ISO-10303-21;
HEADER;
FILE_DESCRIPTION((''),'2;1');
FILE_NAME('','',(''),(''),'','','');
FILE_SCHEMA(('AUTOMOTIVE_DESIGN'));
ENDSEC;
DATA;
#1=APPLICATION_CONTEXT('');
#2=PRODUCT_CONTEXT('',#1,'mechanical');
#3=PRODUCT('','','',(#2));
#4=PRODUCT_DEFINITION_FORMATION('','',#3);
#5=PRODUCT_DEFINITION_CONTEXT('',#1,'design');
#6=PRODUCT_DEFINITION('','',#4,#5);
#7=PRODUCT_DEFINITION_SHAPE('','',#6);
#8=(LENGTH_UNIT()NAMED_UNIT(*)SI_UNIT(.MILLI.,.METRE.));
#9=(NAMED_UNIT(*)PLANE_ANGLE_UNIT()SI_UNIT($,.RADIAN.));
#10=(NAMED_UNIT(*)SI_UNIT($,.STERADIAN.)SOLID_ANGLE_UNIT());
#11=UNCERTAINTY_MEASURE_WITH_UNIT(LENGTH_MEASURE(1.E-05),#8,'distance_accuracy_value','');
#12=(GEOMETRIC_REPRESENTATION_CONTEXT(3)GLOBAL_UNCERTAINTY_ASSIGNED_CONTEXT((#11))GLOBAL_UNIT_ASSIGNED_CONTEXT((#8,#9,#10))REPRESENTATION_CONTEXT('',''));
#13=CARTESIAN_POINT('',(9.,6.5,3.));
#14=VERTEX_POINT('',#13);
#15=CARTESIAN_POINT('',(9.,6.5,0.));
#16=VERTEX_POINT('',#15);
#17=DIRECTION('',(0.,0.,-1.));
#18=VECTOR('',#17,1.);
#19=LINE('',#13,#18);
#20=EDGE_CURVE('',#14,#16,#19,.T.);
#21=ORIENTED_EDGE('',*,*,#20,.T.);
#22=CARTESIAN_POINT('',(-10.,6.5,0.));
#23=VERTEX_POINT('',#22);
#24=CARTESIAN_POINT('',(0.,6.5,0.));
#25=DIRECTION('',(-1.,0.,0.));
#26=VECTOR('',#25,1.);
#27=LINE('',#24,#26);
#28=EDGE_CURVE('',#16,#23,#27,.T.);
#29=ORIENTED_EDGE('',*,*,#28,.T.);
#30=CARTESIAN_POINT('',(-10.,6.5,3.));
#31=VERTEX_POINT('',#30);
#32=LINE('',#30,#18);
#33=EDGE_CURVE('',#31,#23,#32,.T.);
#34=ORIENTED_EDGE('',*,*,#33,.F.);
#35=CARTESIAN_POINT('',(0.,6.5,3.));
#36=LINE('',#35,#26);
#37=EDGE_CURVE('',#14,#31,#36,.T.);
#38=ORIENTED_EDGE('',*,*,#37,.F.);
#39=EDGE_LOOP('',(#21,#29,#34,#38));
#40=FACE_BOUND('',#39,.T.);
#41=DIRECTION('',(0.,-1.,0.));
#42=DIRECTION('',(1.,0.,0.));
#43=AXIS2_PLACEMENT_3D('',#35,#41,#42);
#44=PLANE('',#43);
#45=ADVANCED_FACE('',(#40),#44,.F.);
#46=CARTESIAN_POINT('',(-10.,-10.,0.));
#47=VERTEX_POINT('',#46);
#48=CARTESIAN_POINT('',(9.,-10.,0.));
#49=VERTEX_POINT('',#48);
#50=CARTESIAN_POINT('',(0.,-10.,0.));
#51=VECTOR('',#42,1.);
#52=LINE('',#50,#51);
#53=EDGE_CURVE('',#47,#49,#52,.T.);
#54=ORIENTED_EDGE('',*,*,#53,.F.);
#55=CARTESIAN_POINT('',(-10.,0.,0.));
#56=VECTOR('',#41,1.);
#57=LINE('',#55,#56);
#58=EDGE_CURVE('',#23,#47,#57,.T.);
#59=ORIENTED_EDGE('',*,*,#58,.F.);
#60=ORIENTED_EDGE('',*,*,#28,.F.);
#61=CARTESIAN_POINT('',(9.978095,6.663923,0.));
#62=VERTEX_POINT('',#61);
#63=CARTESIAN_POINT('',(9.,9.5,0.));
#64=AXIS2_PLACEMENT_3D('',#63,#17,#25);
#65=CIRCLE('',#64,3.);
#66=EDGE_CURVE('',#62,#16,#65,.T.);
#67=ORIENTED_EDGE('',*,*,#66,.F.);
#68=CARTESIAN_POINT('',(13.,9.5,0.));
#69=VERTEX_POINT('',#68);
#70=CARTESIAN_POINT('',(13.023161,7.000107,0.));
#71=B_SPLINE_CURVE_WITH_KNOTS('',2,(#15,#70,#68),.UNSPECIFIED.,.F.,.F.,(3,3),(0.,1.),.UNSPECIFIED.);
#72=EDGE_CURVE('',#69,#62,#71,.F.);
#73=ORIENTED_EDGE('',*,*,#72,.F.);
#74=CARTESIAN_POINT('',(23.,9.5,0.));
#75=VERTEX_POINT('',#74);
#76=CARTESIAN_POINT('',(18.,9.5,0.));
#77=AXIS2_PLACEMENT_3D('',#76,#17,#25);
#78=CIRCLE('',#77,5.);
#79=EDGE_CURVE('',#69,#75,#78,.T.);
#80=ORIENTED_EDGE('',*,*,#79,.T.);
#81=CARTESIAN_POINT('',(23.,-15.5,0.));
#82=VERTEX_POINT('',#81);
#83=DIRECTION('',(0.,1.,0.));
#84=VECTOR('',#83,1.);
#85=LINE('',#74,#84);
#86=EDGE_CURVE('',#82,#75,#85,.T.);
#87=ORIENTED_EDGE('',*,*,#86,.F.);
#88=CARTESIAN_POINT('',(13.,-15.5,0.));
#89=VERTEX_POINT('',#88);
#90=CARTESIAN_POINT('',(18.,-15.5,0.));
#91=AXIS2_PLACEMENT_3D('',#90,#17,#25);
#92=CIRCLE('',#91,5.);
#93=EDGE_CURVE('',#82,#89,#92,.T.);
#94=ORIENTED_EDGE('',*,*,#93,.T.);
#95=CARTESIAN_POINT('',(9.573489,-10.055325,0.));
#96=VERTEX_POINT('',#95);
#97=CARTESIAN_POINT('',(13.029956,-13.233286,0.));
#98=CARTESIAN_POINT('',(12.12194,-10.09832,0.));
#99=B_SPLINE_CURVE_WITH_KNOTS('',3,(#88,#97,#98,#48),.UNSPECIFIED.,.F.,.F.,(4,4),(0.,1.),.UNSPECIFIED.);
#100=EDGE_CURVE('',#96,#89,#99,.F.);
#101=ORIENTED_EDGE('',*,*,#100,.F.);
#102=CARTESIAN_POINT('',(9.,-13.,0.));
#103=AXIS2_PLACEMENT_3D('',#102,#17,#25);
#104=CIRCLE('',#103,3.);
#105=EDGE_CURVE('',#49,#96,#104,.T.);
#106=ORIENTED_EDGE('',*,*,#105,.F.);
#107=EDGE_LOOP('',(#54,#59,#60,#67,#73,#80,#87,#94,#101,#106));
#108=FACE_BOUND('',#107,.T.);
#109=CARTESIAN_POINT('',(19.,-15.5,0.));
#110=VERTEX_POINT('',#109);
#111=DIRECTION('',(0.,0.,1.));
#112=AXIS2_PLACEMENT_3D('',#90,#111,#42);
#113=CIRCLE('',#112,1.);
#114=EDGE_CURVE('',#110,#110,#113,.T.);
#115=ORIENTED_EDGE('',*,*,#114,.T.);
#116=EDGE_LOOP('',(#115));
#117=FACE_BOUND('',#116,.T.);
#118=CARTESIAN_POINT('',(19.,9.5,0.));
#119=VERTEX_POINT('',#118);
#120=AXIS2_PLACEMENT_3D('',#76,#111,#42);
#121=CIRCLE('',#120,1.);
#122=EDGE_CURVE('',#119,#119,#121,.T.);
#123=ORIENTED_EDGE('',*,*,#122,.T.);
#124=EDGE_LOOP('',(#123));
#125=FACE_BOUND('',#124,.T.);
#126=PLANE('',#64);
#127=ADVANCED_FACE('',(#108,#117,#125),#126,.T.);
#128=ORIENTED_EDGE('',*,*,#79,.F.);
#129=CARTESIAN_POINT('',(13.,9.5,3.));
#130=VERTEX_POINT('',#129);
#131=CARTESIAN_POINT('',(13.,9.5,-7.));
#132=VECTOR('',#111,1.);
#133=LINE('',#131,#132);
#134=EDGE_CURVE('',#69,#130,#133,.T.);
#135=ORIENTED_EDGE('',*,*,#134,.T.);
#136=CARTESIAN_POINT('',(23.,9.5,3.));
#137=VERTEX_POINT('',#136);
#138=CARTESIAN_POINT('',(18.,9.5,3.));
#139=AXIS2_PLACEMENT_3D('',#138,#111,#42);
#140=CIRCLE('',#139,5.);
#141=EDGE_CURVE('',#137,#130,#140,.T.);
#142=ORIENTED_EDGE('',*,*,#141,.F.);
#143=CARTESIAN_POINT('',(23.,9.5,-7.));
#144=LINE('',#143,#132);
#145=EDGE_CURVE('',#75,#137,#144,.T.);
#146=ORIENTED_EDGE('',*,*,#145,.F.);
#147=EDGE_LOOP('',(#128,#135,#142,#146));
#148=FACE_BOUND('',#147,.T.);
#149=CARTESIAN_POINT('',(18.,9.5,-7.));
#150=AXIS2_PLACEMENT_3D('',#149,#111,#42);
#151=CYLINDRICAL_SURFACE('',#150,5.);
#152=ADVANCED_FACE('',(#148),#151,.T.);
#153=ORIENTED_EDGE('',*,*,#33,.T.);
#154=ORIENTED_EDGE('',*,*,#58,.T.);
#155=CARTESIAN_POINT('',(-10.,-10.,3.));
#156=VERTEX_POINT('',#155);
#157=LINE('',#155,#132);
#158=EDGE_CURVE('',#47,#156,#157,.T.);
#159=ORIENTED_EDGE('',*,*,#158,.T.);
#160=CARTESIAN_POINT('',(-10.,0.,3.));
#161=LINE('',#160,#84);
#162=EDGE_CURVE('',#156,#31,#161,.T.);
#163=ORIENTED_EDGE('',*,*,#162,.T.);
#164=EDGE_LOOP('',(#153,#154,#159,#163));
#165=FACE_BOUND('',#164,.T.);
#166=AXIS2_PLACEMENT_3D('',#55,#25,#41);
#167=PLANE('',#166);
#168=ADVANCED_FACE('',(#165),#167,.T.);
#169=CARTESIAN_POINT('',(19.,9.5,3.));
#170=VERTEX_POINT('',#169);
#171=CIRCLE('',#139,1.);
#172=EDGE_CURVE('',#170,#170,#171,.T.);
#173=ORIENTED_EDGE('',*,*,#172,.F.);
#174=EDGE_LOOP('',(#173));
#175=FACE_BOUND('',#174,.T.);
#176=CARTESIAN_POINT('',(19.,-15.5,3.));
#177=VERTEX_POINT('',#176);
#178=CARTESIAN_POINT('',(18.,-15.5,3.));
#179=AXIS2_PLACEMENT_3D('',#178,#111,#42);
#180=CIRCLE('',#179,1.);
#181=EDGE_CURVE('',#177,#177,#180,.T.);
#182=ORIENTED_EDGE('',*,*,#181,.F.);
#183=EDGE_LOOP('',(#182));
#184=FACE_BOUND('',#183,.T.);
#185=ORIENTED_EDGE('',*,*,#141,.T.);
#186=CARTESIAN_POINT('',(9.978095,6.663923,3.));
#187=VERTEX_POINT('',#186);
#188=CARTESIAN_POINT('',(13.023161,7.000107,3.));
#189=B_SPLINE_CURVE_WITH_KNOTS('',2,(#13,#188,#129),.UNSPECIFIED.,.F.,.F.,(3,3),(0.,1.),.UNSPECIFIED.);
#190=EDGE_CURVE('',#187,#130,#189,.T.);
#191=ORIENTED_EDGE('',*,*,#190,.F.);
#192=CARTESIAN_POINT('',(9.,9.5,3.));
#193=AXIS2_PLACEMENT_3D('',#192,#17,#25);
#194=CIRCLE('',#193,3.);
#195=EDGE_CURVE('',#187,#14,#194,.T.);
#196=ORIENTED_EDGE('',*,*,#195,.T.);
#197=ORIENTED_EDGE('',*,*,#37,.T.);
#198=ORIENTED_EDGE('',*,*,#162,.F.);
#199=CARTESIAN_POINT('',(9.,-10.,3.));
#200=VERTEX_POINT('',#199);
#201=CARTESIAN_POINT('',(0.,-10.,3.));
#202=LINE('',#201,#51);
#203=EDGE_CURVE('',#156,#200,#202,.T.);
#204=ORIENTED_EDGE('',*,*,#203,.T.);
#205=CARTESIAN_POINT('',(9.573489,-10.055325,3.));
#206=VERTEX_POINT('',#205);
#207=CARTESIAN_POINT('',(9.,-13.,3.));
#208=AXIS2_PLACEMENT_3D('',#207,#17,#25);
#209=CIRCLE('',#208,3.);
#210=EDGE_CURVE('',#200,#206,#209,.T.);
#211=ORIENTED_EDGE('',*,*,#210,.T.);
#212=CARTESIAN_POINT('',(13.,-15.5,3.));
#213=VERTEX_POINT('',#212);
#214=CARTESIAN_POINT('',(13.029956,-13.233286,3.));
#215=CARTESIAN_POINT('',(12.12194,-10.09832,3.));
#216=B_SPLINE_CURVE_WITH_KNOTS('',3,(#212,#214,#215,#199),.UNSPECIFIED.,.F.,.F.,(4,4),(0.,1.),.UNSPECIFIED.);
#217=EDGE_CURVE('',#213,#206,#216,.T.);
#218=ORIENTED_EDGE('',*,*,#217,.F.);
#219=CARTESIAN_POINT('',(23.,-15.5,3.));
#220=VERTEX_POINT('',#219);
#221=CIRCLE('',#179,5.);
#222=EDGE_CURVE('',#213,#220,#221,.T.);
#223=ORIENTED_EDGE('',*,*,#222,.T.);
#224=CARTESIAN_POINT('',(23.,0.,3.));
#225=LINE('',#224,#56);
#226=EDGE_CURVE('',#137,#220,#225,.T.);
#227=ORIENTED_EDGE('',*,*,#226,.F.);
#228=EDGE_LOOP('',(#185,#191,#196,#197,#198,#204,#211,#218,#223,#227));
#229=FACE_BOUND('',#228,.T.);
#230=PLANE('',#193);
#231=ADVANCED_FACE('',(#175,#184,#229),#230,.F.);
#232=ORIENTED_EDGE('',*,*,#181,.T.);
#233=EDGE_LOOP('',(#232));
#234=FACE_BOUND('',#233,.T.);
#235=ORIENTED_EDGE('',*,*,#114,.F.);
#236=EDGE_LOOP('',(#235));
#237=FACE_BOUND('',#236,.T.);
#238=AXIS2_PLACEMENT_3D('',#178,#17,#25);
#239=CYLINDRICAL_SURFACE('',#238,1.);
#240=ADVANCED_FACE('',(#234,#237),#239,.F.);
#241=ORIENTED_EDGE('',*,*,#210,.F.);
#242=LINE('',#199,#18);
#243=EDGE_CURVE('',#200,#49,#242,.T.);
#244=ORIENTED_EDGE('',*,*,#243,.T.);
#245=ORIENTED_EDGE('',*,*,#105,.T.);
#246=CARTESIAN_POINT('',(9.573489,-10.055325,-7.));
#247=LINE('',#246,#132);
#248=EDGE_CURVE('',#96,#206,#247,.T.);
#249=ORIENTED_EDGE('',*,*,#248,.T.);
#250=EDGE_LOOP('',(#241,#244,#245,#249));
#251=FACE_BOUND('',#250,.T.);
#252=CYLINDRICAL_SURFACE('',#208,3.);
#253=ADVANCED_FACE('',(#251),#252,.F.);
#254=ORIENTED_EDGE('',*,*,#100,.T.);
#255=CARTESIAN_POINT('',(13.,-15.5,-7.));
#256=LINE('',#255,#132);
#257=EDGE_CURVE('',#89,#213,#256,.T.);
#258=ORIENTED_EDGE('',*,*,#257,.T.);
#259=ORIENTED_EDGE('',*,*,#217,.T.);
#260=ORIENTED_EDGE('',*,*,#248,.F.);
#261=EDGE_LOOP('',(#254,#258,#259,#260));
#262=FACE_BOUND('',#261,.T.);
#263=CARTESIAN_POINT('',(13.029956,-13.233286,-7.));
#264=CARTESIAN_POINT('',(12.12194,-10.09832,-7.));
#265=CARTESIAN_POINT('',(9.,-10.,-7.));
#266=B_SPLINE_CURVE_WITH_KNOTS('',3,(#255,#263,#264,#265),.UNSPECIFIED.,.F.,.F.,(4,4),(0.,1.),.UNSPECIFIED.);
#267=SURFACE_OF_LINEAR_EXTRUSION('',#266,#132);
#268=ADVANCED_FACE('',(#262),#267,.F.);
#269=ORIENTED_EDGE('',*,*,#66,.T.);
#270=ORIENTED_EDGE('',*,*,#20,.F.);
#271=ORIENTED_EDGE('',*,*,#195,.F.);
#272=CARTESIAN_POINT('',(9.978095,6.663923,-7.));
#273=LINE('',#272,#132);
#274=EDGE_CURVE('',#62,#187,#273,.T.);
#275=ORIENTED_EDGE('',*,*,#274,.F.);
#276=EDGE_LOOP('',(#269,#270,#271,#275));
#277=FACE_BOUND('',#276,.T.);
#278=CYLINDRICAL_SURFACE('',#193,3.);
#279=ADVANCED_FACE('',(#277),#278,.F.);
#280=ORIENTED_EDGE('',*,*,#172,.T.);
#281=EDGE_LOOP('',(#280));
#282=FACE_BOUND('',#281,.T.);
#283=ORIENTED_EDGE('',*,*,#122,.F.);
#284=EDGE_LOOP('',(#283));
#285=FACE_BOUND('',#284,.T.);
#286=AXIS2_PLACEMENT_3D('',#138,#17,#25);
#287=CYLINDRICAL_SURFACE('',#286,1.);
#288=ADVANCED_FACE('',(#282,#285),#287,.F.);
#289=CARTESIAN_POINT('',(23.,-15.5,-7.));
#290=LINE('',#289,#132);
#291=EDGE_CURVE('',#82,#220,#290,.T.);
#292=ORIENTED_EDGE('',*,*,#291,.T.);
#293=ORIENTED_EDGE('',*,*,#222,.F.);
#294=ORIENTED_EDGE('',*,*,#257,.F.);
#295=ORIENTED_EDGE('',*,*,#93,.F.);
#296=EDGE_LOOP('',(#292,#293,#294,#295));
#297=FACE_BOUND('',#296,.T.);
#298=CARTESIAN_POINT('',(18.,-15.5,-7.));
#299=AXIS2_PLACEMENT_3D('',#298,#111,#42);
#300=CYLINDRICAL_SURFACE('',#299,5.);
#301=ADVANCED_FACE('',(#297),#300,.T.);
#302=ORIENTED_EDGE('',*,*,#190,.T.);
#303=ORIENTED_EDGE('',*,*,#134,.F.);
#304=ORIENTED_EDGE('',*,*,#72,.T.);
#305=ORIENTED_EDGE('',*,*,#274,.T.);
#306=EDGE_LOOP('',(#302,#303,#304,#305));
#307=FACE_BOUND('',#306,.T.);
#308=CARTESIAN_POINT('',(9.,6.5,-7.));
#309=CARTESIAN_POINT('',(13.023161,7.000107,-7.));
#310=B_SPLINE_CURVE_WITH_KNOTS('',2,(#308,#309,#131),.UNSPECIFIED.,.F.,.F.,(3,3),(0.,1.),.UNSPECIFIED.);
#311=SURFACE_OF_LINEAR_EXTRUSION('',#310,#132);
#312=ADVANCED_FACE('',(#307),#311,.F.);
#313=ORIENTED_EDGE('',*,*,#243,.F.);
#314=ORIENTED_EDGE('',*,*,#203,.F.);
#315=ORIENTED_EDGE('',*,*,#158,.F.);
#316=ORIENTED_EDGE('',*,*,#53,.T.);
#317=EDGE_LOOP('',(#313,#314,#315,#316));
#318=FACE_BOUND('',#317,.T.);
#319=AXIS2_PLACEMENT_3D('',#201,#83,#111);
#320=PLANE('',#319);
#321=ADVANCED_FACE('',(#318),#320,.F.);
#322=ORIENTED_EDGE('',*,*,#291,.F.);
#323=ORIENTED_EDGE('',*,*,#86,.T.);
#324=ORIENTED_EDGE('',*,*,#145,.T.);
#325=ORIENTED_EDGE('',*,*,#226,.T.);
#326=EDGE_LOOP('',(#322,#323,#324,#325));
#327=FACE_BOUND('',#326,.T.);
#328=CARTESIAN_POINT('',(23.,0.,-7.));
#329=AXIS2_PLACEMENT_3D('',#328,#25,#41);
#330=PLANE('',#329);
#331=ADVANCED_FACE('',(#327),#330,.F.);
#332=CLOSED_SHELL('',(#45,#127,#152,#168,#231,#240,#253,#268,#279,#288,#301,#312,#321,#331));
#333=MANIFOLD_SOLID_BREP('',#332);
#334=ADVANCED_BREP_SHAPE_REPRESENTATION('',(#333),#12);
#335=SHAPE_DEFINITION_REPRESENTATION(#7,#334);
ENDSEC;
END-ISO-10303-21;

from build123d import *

# Parameters (mm, degrees)
SKETCH1_R           = 1
BOSS_EXTRUDE1_DEPTH = 3
SKETCH5_OUTSIDE_W   = 34.508
SKETCH5_OUTSIDE_H   = 45.508
SKETCH5_OUTSIDE_R   = 1
CUT_EXTRUDE2_DEPTH  = 10
SKETCH7_W           = 3
SKETCH7_H           = 10
SKETCH7_H_2         = 4
BOSS_EXTRUDE2_DEPTH = 10
BOSS_EXTRUDE3_REACH = 32.956
SKETCH8_W           = 22
SKETCH8_H           = 3


with BuildPart() as part:
    # Sketch1 → Boss-Extrude1 (new body)
    with BuildSketch(Plane.XY):
        with BuildLine():
            Line((0, 0), (0, -10))
            Line((0, -10), (9, -10))
            ThreePointArc((9, -10), (11.121320344, -10.878679656), (12, -13))
            Line((12, -13), (12, -17.5))
            ThreePointArc((12, -17.5), (12.878679656, -19.621320344), (15, -20.5))
            Line((15, -20.5), (21, -20.5))
            ThreePointArc((21, -20.5), (23.121320344, -19.621320344), (24, -17.5))
            Line((24, -17.5), (24, 11.5))
            ThreePointArc((24, 11.5), (23.121320344, 13.621320344), (21, 14.5))
            Line((21, 14.5), (15, 14.5))
            ThreePointArc((15, 14.5), (12.878679656, 13.621320344), (12, 11.5))
            Line((12, 11.5), (12, 9.5))
            ThreePointArc((12, 9.5), (11.121320344, 7.378679656), (9, 6.5))
            Line((9, 6.5), (0, 6.5))
            Line((0, 6.5), (0, 2.5))
            Line((0, 2.5), (12, 2.5))
            Line((12, 2.5), (12, 0))
            Line((12, 0), (0, 0))
        make_face()
        with Locations((18, -15.5)):
            Circle(SKETCH1_R, mode=Mode.SUBTRACT)
        with Locations((18, 9.5)):
            Circle(SKETCH1_R, mode=Mode.SUBTRACT)
    extrude(amount=BOSS_EXTRUDE1_DEPTH)

    # Sketch5 outside → Cut-Extrude2 (cut)
    # profile 1 of 3: a face of its own
    with BuildSketch(Plane.XY.offset(3)):
        with Locations((12, -3)):
            Rectangle(SKETCH5_OUTSIDE_W, SKETCH5_OUTSIDE_H)
        with BuildLine():
            Line((23, -15.5), (23, 9.5))
            ThreePointArc((23, 9.5), (18, 14.5), (13, 9.5))
            ThreePointArc((13, 9.5), (13.00003125, 9.482322297), (13.000125, 9.464644815))
            add(Edge.make_bspline(
                [(9.978094602, 6.663923317), (12.995350289, 7.319865218), (13.000125, 9.464644815)],
                knots=[0.130065152, 0.130065152, 0.130065152, 0.992908545, 0.992908545, 0.992908545], degree=2))
            ThreePointArc((9.978094602, 6.663923317), (9.495867902, 6.541264624), (9, 6.5))
            Line((9, 6.5), (0, 6.5))
            Line((0, 6.5), (0, 2.5))
            Line((0, 2.5), (12, 2.5))
            Line((12, 2.5), (12, 0))
            Line((12, 0), (0, 0))
            Line((0, 0), (0, -10))
            Line((0, -10), (9, -10))
            ThreePointArc((9, -10), (9.288075976, -10.013863327), (9.573489492, -10.055325179))
            add(Edge.make_bspline(
                [(13.000670773, -15.418101992), (13.007397522, -13.305169489), (12.200422908, -10.491068866), (9.573489492, -10.055325179)],
                knots=[0.011989502, 0.011989502, 0.011989502, 0.011989502, 0.935888971, 0.935888971, 0.935888971, 0.935888971], degree=3))
            add(Edge.make_bspline(
                [(13, -15.5), (13.000359156, -15.47282323), (13.00058348, -15.445521651), (13.000670773, -15.418101992)],
                knots=[0, 0, 0, 0, 0.011989502, 0.011989502, 0.011989502, 0.011989502], degree=3))
            ThreePointArc((13, -15.5), (18, -20.5), (23, -15.5))
        make_face(mode=Mode.SUBTRACT)
    # profile 2 of 3: a face of its own
    with BuildSketch(Plane.XY.offset(3)):
        with Locations((18, -15.5)):
            Circle(SKETCH5_OUTSIDE_R)
    # profile 3 of 3: a face of its own
    with BuildSketch(Plane.XY.offset(3)):
        with Locations((18, 9.5)):
            Circle(SKETCH5_OUTSIDE_R)
    extrude(amount=-CUT_EXTRUDE2_DEPTH, mode=Mode.SUBTRACT)

    # Sketch7 → Boss-Extrude2 (add)
    with BuildSketch(Plane.ZY):
        with Locations((1.5, -5)):
            Rectangle(SKETCH7_W, SKETCH7_H)
        with Locations((1.5, 4.5)):
            Rectangle(SKETCH7_W, SKETCH7_H_2)
    extrude(amount=BOSS_EXTRUDE2_DEPTH)

    # Sketch8 → Boss-Extrude3 (add, up to next)
    with BuildSketch(Plane(origin=(0, 0, 0), x_dir=(1, 0, 0), z_dir=(0, 1, 0)), mode=Mode.PRIVATE) as boss_extrude3_sk1:
        with Locations((1, -1.5)):
            Rectangle(SKETCH8_W, SKETCH8_H)
    boss_extrude3_tool1 = extrude(boss_extrude3_sk1.sketch, amount=BOSS_EXTRUDE3_REACH, mode=Mode.PRIVATE) - part.part
    add(boss_extrude3_tool1.solids().sort_by_distance((1, 0, 1.5))[0])


solid = part.part
